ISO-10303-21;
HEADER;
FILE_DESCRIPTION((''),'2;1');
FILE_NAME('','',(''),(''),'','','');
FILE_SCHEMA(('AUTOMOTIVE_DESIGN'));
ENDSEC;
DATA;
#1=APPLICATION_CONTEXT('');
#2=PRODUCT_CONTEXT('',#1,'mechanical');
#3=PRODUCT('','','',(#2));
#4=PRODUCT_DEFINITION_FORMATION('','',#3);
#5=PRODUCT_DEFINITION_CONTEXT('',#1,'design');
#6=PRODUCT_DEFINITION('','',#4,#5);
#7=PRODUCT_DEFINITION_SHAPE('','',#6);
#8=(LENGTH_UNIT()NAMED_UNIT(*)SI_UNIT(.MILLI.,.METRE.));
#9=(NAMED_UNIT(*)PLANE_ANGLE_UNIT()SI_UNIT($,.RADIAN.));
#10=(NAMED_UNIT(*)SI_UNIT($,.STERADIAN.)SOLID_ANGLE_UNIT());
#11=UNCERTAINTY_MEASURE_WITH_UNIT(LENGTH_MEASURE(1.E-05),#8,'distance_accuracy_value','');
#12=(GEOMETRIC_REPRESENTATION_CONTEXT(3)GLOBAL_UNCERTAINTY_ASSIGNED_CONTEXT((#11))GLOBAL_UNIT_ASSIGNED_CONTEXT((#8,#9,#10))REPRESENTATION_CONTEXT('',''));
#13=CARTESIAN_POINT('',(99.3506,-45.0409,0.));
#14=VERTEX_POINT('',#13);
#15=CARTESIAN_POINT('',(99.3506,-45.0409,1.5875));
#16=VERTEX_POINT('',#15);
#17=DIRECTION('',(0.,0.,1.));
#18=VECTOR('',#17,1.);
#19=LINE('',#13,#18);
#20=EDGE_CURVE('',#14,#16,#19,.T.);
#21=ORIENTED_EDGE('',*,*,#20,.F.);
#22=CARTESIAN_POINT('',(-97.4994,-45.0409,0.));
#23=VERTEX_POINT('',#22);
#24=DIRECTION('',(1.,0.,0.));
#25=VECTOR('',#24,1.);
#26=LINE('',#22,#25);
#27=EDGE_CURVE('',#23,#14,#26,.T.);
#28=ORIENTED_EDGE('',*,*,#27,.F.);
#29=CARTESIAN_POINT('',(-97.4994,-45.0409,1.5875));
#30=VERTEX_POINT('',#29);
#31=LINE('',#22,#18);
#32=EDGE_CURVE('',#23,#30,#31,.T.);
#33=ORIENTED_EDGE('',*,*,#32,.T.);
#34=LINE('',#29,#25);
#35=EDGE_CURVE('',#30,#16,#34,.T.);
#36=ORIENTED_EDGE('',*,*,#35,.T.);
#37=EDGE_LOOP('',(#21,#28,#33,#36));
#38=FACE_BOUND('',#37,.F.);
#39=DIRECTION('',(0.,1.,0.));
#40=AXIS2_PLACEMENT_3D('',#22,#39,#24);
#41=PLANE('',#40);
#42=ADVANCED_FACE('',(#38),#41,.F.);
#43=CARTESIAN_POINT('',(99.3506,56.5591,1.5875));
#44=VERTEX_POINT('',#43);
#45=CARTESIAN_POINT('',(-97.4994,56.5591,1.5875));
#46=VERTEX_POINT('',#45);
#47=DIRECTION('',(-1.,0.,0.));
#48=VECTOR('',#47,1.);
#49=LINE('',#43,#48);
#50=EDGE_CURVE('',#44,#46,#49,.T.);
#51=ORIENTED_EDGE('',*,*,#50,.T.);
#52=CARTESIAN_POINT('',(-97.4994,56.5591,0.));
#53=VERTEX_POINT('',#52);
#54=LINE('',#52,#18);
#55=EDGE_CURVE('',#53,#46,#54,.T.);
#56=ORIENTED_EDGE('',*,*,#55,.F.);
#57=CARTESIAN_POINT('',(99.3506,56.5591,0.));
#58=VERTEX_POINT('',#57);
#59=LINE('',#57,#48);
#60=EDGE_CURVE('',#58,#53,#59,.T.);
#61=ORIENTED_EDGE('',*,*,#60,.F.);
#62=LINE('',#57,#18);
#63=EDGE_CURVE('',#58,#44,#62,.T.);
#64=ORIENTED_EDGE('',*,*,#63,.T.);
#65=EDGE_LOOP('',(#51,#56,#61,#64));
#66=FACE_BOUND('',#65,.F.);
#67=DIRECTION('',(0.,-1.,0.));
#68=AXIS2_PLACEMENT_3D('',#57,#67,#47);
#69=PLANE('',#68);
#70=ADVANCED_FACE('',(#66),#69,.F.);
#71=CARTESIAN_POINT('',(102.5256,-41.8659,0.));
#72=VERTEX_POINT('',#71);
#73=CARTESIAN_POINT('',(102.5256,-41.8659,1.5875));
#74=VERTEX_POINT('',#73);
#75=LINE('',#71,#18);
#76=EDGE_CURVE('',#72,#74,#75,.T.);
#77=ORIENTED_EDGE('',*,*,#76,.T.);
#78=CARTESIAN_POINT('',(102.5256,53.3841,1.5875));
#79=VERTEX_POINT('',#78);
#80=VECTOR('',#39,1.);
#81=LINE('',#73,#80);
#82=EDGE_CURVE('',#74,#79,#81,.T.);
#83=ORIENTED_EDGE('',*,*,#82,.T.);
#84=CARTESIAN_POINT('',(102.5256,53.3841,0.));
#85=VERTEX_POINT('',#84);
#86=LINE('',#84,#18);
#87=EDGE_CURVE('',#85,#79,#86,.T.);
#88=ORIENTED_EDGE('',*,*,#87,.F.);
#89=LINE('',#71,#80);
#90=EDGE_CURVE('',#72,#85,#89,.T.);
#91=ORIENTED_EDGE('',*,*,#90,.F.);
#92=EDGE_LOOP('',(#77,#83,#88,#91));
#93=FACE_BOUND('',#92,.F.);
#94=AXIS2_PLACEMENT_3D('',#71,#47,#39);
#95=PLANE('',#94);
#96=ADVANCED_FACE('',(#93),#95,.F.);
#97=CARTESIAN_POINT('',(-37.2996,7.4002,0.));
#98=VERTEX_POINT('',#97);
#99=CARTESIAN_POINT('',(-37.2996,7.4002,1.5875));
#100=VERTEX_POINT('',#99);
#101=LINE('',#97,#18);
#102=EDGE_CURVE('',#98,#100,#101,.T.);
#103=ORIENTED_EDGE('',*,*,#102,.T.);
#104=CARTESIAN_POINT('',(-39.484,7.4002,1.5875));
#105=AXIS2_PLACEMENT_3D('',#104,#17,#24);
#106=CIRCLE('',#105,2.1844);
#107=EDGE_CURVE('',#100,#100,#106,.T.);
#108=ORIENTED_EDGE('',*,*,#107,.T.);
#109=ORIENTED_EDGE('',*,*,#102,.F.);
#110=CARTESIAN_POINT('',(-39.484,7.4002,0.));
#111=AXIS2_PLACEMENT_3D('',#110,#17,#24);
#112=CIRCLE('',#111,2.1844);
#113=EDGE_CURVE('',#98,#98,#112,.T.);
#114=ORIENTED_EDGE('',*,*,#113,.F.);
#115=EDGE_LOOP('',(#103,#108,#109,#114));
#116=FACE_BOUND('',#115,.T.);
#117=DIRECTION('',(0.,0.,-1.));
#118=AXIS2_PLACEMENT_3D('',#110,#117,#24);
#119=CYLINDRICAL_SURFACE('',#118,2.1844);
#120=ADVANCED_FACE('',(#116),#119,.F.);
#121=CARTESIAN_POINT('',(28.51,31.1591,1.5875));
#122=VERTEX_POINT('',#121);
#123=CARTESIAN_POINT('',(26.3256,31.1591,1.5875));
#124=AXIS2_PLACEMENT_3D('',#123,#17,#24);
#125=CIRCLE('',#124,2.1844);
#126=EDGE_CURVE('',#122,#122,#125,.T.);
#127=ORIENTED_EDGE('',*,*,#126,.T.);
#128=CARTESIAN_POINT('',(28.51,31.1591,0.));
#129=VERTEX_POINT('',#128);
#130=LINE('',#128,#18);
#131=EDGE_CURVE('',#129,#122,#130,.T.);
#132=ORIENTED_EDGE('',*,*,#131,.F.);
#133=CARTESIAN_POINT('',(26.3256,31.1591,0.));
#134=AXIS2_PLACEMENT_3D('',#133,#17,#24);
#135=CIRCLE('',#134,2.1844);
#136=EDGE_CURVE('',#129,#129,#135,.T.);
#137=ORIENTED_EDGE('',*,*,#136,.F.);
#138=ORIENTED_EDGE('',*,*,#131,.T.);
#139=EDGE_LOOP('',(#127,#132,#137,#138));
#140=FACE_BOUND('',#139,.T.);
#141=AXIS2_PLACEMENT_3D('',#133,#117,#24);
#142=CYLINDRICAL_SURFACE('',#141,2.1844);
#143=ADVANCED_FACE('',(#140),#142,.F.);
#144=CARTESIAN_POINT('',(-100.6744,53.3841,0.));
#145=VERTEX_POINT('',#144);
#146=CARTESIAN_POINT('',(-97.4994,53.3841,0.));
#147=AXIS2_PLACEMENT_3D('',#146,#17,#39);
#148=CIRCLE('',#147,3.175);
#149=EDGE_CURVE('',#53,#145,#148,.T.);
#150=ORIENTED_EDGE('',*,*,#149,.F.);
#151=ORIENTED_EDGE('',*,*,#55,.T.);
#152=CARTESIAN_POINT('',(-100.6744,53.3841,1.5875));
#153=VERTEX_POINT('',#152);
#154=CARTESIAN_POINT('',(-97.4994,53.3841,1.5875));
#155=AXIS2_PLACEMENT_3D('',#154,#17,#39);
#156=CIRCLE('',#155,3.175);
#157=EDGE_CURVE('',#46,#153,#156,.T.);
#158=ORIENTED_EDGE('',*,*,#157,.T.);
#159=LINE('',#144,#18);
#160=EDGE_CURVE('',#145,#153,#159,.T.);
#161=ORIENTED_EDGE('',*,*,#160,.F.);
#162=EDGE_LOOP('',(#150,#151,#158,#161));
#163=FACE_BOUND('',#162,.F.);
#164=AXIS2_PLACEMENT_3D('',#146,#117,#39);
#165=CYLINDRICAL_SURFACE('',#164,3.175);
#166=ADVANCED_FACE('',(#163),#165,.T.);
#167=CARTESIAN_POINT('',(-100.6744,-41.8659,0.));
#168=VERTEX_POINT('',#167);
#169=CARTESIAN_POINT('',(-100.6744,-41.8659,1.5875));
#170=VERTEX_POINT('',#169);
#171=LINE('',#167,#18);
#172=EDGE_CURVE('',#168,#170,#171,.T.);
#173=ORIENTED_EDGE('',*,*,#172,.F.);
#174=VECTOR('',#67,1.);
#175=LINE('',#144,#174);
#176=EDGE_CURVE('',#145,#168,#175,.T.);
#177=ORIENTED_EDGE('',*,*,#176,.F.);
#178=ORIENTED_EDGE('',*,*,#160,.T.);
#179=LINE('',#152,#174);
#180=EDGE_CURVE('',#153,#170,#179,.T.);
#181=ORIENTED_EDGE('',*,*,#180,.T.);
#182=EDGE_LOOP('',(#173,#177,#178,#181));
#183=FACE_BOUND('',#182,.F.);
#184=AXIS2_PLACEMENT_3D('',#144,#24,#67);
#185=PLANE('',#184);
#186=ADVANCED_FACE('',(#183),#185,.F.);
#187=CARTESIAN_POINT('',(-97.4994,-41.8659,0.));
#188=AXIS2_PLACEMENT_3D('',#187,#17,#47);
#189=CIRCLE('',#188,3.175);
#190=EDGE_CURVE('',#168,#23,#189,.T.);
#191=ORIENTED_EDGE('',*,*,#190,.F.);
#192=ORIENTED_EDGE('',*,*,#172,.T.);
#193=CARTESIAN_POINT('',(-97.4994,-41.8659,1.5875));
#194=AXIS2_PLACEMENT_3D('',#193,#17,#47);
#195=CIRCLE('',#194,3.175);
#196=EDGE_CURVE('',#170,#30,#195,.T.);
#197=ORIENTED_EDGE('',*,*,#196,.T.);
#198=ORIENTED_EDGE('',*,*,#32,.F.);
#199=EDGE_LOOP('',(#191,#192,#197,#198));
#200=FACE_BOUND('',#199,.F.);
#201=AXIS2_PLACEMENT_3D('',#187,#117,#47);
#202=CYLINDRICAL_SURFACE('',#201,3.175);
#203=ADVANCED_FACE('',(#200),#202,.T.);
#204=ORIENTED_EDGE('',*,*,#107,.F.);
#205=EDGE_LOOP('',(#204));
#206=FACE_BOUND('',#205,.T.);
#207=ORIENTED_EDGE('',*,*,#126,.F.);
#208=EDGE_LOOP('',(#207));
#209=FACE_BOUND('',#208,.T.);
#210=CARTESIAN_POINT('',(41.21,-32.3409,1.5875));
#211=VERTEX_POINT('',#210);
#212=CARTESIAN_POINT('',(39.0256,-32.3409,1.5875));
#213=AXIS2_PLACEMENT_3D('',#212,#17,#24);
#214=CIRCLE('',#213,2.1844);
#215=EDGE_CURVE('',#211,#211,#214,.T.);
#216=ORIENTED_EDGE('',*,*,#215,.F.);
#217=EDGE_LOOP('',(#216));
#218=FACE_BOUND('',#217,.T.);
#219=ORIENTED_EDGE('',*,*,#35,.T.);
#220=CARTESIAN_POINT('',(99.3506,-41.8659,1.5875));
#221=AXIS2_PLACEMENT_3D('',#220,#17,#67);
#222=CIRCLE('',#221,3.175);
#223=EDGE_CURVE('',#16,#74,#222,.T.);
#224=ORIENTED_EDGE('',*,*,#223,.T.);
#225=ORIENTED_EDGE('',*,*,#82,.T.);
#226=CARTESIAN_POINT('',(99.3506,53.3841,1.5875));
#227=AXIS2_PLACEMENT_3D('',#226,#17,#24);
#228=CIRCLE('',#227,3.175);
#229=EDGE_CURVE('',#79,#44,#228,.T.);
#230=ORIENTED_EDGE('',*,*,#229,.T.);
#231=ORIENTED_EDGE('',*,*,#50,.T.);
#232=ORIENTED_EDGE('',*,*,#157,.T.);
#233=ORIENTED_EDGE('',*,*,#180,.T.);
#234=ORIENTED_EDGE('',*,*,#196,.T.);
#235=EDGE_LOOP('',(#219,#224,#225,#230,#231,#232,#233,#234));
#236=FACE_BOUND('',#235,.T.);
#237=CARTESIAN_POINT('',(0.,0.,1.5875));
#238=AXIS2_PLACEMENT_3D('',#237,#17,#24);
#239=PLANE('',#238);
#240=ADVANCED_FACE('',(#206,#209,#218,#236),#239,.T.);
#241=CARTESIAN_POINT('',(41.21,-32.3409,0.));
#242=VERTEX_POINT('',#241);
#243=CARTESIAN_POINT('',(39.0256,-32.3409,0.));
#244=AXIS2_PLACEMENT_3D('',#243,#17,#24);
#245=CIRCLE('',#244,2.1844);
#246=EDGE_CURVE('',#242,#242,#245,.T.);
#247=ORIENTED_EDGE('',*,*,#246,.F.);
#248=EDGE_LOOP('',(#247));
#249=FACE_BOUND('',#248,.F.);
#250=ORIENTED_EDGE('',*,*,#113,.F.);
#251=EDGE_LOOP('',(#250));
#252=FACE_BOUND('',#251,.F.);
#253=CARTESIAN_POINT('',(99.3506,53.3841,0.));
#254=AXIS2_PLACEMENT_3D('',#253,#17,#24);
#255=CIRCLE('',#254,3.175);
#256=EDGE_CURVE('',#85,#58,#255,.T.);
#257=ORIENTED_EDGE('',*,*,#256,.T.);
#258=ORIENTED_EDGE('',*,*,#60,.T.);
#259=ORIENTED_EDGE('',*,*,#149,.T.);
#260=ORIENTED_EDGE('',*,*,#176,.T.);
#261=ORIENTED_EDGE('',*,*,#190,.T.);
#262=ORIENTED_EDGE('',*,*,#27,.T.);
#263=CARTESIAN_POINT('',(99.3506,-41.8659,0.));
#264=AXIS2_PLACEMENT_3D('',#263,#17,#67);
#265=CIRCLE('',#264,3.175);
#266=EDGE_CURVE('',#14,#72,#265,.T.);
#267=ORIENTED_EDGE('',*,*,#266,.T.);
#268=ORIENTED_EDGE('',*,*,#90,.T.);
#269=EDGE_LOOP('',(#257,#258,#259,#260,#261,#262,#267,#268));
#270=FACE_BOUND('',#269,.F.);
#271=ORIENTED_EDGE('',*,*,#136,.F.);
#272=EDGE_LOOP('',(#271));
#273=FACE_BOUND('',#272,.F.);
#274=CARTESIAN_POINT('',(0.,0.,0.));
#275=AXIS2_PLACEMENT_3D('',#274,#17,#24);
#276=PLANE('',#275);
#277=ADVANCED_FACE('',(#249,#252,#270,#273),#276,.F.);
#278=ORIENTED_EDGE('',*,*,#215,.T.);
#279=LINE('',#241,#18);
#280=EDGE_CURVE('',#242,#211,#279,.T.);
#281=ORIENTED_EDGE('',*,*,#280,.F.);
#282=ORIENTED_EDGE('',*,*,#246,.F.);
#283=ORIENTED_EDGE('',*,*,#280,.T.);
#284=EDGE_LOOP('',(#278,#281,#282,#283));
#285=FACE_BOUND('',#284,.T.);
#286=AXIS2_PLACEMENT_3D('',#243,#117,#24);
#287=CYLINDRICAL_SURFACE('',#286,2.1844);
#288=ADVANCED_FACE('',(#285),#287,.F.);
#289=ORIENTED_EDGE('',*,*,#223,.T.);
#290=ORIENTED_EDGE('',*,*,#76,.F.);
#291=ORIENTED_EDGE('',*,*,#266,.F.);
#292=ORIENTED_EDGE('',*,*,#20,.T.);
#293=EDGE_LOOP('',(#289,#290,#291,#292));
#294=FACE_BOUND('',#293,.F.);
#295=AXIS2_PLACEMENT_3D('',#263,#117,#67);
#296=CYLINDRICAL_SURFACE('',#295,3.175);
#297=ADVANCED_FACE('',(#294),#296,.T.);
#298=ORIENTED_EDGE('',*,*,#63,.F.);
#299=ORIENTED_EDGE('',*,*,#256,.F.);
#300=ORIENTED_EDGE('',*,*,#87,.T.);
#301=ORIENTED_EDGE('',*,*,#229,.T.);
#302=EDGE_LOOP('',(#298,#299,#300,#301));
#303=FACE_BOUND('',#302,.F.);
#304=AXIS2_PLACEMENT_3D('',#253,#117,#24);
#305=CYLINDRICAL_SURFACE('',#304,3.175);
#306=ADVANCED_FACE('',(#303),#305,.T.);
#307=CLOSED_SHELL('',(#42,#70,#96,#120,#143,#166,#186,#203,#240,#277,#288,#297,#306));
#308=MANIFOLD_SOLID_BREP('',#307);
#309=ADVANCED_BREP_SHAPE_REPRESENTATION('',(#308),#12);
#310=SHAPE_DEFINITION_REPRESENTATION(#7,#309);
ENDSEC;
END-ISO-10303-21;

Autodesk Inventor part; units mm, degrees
ref_plane "YZ Plane" through (0, 0, 0) normal (1, 0, 0) x (0, 1, 0)
ref_plane "XZ Plane" through (0, 0, 0) normal (0, 1, 0) x (-1, 0, 0)
ref_plane "XY Plane" through (0, 0, 0) normal (0, 0, 1) x (1, 0, 0)
sketch "Sketch1" plane through (0, 0, 0) normal (0, 0, 1) x (1, 0, 0)
  line L0 (99.3506, 56.5591) -> (-97.4994, 56.5591)
  line L1 (-100.6744, 53.3841) -> (-100.6744, -41.8659)
  line L2 (-97.4994, -45.0409) -> (99.3506, -45.0409)
  line L3 (102.5256, -41.8659) -> (102.5256, 53.3841)
  circle A0 centre (26.3256, 31.1591) radius 2.1844
  circle A1 centre (-39.484, 7.4002) radius 2.1844
  circle A2 centre (39.0256, -32.3409) radius 2.1844
  arc A3 (99.3506, -45.0409) -> (102.5256, -41.8659) centre (99.3506, -41.8659) ccw
  arc A4 (102.5256, 53.3841) -> (99.3506, 56.5591) centre (99.3506, 53.3841) ccw
  arc A5 (-97.4994, 56.5591) -> (-100.6744, 53.3841) centre (-97.4994, 53.3841) ccw
  arc A6 (-100.6744, -41.8659) -> (-97.4994, -45.0409) centre (-97.4994, -41.8659) ccw
  point P0 (0, 0)
  point P1 (-100.6744, -45.0409)
  point P2 (-100.6744, 56.5591)
  point P3 (102.5256, -45.0409)
  dimension "d0" = 203.2
  dimension "d1" = 101.6
  dimension "d2" = 25.4
  dimension "d3" = 76.2
  dimension "d4" = 3.175
extrude "Extrusion1" add sketch "Sketch1" along normal blind 1.5875
properties part number "smalleraligner"
